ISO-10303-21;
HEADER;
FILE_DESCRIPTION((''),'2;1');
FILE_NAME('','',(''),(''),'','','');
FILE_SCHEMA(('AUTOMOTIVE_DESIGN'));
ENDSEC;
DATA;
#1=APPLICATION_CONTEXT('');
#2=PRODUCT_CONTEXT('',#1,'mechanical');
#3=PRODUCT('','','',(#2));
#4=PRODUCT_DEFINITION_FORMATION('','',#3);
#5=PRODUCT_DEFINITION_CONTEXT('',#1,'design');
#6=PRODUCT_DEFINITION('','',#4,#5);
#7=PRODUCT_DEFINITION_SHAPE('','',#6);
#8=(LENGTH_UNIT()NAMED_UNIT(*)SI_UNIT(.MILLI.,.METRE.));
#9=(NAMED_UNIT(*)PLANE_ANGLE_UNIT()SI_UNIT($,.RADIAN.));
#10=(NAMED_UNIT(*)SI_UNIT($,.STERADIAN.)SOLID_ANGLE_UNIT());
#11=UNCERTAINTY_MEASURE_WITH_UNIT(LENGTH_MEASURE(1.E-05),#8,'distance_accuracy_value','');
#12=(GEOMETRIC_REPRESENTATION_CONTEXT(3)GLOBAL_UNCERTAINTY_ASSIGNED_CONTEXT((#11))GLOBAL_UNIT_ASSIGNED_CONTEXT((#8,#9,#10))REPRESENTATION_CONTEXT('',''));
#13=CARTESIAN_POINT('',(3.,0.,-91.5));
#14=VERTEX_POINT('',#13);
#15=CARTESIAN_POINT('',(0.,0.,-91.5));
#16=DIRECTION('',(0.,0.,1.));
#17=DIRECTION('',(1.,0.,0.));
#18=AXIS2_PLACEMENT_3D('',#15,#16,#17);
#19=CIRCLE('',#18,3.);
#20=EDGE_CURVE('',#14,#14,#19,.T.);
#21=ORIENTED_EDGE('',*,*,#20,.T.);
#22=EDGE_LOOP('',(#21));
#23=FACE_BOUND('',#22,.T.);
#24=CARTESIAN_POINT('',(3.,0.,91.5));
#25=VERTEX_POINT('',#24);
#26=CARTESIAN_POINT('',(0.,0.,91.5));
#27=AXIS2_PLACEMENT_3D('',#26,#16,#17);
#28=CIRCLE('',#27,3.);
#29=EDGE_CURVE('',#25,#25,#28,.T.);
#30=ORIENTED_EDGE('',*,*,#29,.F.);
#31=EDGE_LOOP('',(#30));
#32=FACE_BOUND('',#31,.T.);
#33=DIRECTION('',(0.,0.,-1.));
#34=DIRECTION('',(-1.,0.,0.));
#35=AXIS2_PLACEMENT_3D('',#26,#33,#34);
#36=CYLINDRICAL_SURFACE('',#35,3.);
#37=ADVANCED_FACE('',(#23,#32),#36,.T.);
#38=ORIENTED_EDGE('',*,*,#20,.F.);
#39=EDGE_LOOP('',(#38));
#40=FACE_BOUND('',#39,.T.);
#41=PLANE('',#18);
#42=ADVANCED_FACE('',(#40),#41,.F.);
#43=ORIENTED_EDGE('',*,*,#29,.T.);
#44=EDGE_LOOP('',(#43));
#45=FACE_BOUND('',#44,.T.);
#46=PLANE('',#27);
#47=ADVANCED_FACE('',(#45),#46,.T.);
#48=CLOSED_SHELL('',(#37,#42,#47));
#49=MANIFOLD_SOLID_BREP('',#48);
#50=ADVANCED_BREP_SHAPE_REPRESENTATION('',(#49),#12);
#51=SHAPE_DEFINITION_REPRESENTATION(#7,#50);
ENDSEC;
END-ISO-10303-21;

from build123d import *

# Parameters (mm, degrees)
SKETCH_1_R        = 3
EXTRUDE_220_DEPTH = 91.5


with BuildPart() as part:
    # Эскиз1 → Extrude 220 (new, symmetric)
    with BuildSketch(Plane.XY):
        Circle(SKETCH_1_R)
    extrude(amount=EXTRUDE_220_DEPTH, both=True)


solid = part.part
